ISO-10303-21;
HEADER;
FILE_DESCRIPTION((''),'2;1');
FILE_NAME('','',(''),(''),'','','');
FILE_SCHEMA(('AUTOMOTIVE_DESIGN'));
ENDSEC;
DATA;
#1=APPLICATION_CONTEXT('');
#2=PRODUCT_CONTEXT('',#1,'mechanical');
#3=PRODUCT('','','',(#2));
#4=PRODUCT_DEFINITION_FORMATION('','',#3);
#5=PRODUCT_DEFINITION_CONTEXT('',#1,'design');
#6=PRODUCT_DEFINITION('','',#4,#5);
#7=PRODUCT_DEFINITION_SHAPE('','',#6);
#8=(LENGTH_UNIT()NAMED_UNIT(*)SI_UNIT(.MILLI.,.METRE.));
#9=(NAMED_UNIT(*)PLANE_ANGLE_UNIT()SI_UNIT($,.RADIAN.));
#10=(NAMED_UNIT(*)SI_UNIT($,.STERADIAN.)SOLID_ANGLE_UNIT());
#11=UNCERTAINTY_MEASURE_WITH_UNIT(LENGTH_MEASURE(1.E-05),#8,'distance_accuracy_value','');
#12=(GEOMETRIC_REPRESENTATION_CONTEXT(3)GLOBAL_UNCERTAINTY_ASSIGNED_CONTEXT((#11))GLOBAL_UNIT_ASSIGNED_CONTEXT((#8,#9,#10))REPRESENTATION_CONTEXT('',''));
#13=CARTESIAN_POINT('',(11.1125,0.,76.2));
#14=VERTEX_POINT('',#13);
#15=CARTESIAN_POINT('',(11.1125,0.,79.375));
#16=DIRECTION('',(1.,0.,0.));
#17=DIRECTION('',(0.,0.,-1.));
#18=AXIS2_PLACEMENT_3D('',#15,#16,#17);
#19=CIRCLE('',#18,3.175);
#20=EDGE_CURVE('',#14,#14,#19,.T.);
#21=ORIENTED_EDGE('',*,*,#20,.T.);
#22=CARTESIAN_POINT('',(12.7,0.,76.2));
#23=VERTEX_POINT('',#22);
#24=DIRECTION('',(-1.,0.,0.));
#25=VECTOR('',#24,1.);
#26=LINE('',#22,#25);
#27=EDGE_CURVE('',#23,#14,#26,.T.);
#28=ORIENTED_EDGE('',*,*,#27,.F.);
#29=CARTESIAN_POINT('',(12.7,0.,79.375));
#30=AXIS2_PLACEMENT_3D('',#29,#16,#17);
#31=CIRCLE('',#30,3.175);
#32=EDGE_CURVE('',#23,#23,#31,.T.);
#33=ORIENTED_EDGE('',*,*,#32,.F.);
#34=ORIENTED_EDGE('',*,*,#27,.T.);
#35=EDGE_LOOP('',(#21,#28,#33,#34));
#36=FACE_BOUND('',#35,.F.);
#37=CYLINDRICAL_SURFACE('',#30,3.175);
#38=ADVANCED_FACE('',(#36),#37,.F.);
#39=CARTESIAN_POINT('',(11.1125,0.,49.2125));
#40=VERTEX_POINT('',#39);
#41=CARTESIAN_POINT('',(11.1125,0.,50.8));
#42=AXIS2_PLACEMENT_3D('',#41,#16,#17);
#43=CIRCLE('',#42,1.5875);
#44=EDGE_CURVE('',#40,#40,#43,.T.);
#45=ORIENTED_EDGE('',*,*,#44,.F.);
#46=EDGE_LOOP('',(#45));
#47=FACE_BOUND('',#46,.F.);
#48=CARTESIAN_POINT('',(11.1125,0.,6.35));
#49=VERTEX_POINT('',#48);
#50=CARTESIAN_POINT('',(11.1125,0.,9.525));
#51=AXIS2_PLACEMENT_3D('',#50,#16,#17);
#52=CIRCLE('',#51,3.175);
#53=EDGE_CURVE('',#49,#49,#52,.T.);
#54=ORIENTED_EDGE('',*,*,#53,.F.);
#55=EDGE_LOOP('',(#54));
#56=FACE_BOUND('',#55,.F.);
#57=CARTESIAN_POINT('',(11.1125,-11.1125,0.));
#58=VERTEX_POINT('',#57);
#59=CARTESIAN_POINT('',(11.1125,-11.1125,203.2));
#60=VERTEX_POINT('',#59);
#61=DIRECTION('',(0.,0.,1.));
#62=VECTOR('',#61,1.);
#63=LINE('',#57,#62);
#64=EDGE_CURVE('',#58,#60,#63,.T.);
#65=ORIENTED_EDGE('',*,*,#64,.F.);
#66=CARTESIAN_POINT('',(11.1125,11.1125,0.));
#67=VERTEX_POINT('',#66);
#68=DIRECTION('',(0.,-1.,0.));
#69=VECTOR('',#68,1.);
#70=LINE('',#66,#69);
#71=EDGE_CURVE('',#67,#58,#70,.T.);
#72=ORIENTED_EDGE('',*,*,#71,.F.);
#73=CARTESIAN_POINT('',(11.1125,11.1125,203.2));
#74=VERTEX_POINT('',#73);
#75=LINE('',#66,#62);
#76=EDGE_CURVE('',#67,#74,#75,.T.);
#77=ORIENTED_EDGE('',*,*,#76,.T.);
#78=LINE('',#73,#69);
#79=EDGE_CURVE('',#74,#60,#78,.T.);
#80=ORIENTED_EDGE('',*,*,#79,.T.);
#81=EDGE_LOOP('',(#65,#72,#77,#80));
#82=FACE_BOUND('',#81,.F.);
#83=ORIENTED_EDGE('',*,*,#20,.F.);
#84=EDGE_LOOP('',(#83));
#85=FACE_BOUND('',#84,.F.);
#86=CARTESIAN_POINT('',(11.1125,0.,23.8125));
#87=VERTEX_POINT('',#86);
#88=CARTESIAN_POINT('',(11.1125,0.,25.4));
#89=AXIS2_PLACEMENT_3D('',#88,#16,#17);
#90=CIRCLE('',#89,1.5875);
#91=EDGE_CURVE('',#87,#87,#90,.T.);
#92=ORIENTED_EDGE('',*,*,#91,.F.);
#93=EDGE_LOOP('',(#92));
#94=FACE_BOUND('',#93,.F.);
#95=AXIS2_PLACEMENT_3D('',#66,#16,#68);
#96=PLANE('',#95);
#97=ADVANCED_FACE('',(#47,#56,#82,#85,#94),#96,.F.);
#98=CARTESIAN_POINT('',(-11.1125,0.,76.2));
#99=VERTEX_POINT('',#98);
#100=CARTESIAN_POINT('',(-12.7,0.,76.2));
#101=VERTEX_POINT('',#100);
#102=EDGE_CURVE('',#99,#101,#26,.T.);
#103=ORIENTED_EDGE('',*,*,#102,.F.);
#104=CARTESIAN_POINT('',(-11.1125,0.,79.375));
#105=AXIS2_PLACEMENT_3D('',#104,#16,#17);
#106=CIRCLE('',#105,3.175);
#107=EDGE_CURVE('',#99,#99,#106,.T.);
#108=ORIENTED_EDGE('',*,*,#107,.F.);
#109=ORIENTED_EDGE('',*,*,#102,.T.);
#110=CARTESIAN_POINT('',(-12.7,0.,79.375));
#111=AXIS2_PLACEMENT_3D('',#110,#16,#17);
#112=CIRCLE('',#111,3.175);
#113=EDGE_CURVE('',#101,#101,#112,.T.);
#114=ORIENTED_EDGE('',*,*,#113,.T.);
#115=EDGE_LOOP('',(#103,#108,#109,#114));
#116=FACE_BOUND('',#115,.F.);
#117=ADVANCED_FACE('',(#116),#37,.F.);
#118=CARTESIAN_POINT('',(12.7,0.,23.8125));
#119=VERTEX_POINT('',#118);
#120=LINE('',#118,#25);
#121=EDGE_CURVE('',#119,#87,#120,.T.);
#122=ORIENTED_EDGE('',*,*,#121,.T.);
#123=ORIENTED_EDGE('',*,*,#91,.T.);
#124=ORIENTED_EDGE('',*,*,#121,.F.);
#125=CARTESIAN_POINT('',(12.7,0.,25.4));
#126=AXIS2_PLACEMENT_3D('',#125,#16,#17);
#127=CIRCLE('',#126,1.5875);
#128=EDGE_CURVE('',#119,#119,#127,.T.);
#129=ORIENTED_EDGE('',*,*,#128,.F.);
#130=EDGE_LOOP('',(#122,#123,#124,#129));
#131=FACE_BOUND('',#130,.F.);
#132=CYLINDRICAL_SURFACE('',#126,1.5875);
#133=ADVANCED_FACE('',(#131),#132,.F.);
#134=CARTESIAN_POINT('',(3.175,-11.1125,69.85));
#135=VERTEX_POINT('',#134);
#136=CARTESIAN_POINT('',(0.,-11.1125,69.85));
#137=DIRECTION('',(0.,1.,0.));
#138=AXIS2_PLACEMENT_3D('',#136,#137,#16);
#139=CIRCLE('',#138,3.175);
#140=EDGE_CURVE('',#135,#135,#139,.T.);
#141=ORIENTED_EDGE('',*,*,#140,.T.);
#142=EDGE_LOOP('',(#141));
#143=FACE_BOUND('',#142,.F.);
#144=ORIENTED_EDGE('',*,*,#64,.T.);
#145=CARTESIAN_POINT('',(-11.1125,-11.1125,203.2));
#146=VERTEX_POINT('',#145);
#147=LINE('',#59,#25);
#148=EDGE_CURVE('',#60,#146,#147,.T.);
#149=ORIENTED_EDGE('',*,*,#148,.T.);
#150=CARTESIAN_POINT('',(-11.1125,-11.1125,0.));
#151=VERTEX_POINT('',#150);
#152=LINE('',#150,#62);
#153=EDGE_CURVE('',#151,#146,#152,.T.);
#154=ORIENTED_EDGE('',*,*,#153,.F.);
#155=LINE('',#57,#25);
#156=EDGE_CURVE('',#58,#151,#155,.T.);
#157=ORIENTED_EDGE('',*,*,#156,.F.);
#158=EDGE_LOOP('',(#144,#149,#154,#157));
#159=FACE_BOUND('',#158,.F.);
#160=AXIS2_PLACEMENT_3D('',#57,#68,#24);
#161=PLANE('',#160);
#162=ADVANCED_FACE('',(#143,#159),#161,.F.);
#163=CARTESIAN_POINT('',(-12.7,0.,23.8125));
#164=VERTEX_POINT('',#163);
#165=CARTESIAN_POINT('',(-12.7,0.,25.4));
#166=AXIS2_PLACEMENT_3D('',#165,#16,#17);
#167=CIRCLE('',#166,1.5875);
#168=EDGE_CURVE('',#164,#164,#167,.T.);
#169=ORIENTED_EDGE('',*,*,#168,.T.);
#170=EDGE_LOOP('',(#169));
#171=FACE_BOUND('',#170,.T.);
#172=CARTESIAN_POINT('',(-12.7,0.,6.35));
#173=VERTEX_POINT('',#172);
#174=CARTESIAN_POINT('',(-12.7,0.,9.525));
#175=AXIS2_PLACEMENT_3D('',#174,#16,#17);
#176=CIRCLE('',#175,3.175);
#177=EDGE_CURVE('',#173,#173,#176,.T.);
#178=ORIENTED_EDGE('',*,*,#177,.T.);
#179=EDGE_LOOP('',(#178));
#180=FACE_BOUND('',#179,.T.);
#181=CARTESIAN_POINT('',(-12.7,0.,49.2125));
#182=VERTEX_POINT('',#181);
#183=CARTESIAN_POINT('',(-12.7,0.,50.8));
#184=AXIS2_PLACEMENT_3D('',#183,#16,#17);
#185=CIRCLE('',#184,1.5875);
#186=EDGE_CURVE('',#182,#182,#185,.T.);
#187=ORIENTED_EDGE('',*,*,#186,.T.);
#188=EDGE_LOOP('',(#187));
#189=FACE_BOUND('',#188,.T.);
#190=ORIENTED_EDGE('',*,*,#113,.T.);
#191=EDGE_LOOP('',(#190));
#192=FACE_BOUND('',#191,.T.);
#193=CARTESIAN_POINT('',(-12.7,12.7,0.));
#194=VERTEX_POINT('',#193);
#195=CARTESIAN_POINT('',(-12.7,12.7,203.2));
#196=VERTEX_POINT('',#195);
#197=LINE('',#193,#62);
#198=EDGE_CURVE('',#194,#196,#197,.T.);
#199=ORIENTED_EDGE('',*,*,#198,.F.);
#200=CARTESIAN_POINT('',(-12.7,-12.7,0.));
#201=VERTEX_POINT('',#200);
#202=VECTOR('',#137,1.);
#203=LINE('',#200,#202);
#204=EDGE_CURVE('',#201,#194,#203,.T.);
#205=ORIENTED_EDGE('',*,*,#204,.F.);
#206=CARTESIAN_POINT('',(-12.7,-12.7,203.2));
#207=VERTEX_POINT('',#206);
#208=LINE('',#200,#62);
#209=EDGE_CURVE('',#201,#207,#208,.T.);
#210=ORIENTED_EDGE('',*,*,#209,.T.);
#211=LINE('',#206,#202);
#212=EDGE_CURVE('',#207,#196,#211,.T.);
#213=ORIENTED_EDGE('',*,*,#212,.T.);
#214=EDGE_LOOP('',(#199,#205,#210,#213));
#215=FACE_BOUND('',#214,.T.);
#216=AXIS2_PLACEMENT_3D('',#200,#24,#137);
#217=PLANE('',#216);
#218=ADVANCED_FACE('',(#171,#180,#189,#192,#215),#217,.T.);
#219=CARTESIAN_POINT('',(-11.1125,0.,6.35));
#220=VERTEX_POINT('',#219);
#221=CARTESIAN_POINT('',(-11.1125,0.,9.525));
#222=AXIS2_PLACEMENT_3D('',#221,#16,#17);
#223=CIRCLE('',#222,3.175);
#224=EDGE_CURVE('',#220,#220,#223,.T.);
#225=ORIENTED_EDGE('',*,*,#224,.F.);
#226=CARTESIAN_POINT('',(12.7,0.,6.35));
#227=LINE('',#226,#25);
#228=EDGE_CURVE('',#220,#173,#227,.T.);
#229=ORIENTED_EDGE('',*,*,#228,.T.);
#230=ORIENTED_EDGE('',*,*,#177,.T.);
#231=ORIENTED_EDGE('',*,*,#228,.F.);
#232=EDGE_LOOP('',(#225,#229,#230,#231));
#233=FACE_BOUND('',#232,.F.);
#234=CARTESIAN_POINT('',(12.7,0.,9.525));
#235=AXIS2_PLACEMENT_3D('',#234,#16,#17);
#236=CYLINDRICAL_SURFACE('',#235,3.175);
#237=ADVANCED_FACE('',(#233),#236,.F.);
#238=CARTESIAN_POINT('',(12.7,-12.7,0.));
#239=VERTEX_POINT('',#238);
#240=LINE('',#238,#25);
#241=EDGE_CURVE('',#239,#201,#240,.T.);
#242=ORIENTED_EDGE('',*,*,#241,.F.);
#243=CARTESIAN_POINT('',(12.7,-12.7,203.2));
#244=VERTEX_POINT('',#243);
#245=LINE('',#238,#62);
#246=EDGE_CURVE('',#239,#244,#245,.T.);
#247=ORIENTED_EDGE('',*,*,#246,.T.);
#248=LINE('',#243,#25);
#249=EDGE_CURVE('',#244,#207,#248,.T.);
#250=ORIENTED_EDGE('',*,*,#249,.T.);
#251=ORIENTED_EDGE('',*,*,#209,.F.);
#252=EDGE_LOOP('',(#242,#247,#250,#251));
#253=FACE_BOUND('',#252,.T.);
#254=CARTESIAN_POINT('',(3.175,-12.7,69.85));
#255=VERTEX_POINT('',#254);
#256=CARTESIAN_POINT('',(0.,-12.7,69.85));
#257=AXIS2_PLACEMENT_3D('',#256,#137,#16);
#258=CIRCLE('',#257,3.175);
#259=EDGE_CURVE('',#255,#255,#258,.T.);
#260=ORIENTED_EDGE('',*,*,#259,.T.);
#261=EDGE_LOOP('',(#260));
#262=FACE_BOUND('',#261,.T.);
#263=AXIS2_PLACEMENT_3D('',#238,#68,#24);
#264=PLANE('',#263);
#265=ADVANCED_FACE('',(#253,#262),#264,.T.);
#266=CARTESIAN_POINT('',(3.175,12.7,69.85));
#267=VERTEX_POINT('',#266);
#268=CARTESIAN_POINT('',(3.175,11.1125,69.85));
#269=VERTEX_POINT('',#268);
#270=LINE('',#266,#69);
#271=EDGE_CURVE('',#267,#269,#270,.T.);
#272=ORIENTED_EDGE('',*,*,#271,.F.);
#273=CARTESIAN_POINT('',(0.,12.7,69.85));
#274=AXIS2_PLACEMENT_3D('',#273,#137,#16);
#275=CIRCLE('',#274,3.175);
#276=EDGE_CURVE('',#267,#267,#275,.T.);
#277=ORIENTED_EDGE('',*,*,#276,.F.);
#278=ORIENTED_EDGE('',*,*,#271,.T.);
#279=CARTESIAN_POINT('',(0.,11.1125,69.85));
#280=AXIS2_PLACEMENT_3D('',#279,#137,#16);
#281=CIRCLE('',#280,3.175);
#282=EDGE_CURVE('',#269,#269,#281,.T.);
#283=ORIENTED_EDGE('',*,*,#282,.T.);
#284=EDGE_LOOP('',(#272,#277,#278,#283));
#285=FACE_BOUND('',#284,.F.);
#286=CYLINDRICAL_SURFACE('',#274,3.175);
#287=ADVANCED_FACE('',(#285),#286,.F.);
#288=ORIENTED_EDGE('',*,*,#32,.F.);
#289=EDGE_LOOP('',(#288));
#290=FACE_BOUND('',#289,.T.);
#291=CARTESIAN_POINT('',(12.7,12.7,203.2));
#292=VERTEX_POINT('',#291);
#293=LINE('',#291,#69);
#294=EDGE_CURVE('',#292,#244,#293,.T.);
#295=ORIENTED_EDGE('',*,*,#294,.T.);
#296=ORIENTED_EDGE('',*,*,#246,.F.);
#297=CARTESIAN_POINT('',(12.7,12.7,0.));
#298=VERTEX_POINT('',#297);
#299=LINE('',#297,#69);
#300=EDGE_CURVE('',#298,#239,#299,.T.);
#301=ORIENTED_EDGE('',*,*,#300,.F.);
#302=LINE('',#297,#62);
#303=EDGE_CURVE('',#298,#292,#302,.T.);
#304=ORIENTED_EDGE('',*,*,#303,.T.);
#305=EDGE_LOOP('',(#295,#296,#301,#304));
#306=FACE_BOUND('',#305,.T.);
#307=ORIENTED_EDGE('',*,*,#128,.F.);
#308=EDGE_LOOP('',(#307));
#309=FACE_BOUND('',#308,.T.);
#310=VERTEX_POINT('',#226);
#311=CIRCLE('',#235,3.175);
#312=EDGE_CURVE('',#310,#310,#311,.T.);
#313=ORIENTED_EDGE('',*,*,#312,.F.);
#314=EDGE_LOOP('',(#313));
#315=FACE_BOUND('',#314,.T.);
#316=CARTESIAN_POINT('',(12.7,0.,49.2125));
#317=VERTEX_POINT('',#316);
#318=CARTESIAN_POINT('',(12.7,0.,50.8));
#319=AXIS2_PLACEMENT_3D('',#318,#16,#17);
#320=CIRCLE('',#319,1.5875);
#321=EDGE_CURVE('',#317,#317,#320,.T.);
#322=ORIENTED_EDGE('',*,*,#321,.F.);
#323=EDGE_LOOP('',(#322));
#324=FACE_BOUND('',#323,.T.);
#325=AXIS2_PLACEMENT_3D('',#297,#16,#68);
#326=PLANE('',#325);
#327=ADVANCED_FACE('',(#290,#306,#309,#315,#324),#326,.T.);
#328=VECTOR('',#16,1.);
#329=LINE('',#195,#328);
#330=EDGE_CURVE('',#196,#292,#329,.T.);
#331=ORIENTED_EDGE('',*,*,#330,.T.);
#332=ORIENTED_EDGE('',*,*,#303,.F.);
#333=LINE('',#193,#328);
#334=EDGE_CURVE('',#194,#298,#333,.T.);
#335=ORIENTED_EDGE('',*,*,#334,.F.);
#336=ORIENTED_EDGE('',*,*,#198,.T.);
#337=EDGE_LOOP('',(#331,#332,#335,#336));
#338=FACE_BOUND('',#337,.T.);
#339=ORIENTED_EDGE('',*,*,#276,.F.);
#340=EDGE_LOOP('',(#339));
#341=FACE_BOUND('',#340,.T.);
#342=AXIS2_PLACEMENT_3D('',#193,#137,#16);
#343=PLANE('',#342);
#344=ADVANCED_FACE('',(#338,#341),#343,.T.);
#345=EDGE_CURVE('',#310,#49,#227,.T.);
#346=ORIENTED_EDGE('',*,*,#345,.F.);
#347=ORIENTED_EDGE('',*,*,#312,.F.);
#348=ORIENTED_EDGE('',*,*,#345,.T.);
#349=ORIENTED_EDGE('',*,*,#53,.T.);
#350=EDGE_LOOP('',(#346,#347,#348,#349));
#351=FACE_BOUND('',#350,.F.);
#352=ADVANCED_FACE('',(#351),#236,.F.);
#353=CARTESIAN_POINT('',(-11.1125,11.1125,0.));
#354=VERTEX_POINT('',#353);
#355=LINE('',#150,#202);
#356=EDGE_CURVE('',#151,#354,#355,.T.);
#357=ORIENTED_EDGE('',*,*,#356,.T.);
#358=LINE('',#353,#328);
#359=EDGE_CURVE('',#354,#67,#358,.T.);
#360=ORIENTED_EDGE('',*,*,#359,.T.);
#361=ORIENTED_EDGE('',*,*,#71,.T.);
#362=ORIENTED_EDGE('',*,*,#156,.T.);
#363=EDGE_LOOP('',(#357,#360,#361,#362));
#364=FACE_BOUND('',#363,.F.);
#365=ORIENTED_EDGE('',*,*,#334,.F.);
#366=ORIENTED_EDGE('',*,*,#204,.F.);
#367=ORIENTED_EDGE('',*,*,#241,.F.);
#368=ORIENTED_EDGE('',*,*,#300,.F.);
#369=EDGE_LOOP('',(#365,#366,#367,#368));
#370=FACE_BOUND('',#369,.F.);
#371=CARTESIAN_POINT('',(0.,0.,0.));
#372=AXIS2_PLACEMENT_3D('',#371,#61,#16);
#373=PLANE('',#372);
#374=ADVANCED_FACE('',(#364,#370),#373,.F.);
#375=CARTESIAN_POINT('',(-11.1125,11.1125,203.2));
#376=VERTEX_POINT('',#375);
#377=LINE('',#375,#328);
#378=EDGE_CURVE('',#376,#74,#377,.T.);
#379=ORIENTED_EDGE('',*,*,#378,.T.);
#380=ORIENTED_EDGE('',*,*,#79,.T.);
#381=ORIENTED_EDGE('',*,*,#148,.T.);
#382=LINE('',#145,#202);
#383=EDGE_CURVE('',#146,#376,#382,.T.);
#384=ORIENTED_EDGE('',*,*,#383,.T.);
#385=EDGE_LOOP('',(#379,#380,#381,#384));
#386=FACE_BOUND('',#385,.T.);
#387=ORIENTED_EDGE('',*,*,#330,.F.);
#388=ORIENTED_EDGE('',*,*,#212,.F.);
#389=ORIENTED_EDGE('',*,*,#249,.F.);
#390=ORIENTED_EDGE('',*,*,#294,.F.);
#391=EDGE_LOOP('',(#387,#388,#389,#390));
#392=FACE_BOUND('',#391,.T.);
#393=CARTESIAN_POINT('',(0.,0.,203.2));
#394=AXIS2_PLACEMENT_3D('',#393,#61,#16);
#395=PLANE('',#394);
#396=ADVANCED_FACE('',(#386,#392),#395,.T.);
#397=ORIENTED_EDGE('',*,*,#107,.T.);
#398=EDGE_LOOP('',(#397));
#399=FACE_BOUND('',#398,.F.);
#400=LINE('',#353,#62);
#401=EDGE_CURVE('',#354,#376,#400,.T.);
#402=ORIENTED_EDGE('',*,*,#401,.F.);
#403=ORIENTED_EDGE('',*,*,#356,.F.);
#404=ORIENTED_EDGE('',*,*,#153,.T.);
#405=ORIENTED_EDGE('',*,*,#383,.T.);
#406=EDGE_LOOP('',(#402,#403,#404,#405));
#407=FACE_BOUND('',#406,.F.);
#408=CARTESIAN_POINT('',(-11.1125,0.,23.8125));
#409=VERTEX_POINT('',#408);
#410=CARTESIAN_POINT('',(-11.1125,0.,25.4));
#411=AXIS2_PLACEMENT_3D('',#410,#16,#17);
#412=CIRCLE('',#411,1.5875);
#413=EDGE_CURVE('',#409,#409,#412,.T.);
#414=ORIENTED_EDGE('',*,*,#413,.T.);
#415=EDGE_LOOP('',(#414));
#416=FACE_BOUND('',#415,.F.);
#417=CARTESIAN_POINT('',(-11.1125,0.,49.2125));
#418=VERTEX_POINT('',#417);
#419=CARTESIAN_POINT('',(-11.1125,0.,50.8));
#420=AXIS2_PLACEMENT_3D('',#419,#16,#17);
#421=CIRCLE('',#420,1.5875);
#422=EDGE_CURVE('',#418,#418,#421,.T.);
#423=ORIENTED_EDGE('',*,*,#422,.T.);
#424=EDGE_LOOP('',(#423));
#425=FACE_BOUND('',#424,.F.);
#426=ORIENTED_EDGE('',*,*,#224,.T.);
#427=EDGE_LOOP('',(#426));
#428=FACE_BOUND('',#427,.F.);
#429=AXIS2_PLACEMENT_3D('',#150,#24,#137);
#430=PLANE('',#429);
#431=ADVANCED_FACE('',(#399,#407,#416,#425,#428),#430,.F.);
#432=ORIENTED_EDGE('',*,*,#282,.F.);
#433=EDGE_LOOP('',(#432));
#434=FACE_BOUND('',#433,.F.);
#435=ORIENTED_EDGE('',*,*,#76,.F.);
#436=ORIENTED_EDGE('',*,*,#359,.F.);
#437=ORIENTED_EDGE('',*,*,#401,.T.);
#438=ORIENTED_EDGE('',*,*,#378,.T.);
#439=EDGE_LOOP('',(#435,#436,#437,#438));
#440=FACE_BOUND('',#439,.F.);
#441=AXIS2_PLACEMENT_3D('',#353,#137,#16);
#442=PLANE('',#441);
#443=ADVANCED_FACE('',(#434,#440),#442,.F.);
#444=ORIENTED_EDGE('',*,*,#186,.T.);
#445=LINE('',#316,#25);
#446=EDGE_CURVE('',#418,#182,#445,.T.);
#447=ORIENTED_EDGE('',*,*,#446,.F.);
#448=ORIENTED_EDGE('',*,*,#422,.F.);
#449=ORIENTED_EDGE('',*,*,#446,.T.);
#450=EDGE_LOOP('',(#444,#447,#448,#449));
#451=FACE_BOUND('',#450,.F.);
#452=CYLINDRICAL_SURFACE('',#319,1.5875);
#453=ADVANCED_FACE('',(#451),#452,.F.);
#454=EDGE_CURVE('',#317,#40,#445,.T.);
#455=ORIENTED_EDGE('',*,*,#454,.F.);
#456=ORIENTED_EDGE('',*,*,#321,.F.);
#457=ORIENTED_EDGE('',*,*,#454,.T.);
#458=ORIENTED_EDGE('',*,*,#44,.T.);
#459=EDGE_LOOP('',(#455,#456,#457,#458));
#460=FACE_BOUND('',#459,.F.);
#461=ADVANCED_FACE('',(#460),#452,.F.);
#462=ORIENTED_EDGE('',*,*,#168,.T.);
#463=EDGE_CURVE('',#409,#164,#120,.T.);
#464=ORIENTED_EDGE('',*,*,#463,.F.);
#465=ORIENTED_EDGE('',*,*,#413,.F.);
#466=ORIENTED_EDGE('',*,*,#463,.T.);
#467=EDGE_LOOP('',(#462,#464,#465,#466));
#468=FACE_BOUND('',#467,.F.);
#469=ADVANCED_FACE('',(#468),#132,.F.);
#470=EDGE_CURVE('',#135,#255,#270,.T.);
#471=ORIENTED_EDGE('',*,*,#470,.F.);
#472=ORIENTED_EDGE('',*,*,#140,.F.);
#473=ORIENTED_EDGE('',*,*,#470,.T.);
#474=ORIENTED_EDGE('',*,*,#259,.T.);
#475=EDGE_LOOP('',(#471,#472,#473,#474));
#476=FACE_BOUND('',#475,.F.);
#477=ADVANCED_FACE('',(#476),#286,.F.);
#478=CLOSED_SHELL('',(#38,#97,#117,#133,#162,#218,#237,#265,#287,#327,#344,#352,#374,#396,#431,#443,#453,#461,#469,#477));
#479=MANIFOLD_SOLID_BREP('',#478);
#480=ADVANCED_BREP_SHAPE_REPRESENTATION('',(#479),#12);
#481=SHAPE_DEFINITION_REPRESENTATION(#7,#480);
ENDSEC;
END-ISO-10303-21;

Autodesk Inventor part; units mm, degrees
ref_plane "YZ Plane" through (0, 0, 0) normal (1, 0, 0) x (0, 1, 0)
ref_plane "XZ Plane" through (0, 0, 0) normal (0, 1, 0) x (-1, 0, 0)
ref_plane "XY Plane" through (0, 0, 0) normal (0, 0, 1) x (1, 0, 0)
sketch "Sketch1" plane through (0, 0, 0) normal (0, 0, 1) x (1, 0, 0)
  line L0 (0, 0) -> (-11.1125, 0) construction
  line L1 (0, 0) -> (0, 11.1125) construction
  line L2 (-11.1125, 11.1125) -> (11.1125, 11.1125)
  line L3 (11.1125, 11.1125) -> (11.1125, -11.1125)
  line L4 (11.1125, -11.1125) -> (-11.1125, -11.1125)
  line L5 (-11.1125, -11.1125) -> (-11.1125, 11.1125)
  line L6 (-12.7, 12.7) -> (12.7, 12.7)
  line L7 (12.7, 12.7) -> (12.7, -12.7)
  line L8 (12.7, -12.7) -> (-12.7, -12.7)
  line L9 (-12.7, -12.7) -> (-12.7, 12.7)
  line L10 (-11.1125, 0) -> (-12.7, 0) construction
  line L11 (0, 11.1125) -> (0, 12.7) construction
  dimension "d0" = 25.4
  dimension "d1" = 1.5875
extrude "Extrusion1" add sketch "Sketch1" along normal blind 203.2
sketch "Sketch2" plane through (-12.7, 12.7, 0) normal (0, 1, 0) x (1, 0, 0)
  line L0 (12.7, 0) -> (12.7, -203.2) construction
  line L1 (25.4, 0) -> (25.4, -203.2) construction
  circle A0 centre (12.7, -69.85) radius 3.175
  dimension "d4" = 6.35
  dimension "d5" = 69.85
extrude "Extrusion2" cut sketch "Sketch2" against normal through all
sketch "Sketch3" plane through (12.7, -12.7, 0) normal (1, 0, 0) x (0, 0, -1)
  line L0 (0, 12.7) -> (-203.2, 12.7) construction
  line L1 (0, 23.8125) -> (-203.2, 23.8125) construction
  circle A0 centre (-79.375, 12.7) radius 3.175
  circle A1 centre (-9.525, 12.7) radius 3.175
  line L2 (0, 25.4) -> (0, 0) projected
  line L3 (-38.1, 23.8125) -> (-38.1, 12.7) construction
  circle A2 centre (-50.8, 12.7) radius 1.5875
  circle A3 centre (-25.4, 12.7) radius 1.5875
  dimension "d8" = 6.35
  dimension "d9" = 79.375
  dimension "d12" = 6.35
  dimension "d13" = 9.525
  dimension "d22" = 3.175
  dimension "d23" = 25.4
  dimension "d24" = 38.1
extrude "Extrusion3" cut sketch "Sketch3" against normal through all
properties part number "Upright" material "Aluminum 6061"
